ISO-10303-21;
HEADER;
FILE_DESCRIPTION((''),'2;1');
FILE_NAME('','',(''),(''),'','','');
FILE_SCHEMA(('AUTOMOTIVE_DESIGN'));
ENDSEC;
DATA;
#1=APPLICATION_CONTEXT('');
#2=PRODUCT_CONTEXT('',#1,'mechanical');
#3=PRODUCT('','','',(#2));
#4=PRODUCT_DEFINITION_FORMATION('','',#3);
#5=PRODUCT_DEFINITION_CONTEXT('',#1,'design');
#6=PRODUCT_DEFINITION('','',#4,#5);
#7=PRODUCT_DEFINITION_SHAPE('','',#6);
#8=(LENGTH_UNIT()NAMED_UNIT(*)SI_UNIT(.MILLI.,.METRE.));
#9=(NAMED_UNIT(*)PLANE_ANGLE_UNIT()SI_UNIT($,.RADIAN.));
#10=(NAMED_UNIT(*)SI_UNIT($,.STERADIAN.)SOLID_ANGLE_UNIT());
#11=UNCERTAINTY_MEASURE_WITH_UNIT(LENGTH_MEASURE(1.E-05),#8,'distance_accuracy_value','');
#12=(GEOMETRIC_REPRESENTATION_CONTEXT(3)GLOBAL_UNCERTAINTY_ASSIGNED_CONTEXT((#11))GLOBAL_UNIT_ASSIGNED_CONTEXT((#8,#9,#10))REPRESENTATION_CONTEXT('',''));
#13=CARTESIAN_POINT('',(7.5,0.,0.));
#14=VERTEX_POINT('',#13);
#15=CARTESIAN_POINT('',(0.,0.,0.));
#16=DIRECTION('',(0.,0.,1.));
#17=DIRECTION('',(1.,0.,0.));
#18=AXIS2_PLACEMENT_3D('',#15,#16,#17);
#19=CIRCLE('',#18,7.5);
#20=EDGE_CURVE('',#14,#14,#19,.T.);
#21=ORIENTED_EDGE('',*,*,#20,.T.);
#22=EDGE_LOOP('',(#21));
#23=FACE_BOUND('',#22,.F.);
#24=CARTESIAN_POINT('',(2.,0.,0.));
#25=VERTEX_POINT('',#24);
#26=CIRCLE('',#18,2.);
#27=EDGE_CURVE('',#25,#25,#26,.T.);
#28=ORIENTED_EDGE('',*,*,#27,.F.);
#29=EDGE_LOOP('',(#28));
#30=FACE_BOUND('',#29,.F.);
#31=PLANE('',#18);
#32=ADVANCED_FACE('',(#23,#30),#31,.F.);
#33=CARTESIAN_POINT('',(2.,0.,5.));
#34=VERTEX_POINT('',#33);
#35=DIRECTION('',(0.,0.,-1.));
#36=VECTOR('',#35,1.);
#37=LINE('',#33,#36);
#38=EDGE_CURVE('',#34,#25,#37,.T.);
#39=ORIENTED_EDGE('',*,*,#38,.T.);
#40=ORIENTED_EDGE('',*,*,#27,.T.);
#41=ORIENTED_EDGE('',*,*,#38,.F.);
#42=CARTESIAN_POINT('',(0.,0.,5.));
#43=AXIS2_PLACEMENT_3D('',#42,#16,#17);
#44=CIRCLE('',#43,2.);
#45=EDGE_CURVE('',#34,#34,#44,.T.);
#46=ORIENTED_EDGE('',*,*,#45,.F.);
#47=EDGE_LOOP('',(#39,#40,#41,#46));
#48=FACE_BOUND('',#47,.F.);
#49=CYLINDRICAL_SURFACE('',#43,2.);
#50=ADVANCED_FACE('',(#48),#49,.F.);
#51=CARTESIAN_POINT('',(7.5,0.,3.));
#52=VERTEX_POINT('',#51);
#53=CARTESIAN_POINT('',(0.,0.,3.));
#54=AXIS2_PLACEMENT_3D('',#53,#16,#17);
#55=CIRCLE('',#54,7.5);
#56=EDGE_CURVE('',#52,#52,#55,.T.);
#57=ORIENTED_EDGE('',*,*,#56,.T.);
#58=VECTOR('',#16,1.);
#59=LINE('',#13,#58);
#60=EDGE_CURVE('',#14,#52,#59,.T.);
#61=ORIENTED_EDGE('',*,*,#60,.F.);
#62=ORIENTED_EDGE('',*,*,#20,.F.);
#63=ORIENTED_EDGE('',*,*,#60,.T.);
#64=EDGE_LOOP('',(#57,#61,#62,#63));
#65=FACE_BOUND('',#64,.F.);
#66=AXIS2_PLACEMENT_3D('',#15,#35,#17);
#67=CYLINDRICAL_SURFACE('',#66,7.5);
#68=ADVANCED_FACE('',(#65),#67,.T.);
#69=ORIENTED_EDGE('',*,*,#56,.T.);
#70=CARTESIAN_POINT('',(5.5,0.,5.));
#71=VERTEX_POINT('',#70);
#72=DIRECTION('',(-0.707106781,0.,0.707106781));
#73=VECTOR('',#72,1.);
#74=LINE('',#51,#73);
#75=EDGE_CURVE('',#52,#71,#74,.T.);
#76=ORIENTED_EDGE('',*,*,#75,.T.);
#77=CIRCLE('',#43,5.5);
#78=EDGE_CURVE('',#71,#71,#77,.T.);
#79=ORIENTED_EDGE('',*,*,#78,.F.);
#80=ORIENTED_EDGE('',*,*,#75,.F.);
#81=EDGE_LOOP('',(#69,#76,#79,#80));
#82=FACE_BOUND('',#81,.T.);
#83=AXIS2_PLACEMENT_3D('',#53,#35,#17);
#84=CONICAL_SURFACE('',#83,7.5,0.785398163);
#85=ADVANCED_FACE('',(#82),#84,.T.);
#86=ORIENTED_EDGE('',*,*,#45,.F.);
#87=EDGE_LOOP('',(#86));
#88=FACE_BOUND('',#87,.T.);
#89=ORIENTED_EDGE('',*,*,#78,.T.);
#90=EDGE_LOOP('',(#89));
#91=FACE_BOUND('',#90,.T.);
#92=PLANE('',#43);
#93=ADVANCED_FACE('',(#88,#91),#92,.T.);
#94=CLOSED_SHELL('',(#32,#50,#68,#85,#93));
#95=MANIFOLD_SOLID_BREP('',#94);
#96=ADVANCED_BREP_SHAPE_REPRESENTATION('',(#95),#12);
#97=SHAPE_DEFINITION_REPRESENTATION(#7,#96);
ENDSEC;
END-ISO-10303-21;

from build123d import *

# Parameters (mm, degrees)
F0_R     = 7.5
F1_DEPTH = 5
F2_R     = 2
F3_DEPTH = 25
F4_SIZE  = 2


with BuildPart() as f1:
    # F0 (on Top) → F1 (new body)
    with BuildSketch(Plane.XY):
        Circle(F0_R)
    extrude(amount=F1_DEPTH)

    # F2 (on face) → F3 (cut)
    with BuildSketch(Plane.XY.offset(5)):
        Circle(F2_R)
    extrude(amount=-F3_DEPTH, mode=Mode.SUBTRACT)

    # F4
    f4_edges = [f1.edges().sort_by_distance(p)[0] for p in [
        (-7.5, 0, 5),
    ]]
    chamfer(f4_edges, length=F4_SIZE)


solid = f1.part
